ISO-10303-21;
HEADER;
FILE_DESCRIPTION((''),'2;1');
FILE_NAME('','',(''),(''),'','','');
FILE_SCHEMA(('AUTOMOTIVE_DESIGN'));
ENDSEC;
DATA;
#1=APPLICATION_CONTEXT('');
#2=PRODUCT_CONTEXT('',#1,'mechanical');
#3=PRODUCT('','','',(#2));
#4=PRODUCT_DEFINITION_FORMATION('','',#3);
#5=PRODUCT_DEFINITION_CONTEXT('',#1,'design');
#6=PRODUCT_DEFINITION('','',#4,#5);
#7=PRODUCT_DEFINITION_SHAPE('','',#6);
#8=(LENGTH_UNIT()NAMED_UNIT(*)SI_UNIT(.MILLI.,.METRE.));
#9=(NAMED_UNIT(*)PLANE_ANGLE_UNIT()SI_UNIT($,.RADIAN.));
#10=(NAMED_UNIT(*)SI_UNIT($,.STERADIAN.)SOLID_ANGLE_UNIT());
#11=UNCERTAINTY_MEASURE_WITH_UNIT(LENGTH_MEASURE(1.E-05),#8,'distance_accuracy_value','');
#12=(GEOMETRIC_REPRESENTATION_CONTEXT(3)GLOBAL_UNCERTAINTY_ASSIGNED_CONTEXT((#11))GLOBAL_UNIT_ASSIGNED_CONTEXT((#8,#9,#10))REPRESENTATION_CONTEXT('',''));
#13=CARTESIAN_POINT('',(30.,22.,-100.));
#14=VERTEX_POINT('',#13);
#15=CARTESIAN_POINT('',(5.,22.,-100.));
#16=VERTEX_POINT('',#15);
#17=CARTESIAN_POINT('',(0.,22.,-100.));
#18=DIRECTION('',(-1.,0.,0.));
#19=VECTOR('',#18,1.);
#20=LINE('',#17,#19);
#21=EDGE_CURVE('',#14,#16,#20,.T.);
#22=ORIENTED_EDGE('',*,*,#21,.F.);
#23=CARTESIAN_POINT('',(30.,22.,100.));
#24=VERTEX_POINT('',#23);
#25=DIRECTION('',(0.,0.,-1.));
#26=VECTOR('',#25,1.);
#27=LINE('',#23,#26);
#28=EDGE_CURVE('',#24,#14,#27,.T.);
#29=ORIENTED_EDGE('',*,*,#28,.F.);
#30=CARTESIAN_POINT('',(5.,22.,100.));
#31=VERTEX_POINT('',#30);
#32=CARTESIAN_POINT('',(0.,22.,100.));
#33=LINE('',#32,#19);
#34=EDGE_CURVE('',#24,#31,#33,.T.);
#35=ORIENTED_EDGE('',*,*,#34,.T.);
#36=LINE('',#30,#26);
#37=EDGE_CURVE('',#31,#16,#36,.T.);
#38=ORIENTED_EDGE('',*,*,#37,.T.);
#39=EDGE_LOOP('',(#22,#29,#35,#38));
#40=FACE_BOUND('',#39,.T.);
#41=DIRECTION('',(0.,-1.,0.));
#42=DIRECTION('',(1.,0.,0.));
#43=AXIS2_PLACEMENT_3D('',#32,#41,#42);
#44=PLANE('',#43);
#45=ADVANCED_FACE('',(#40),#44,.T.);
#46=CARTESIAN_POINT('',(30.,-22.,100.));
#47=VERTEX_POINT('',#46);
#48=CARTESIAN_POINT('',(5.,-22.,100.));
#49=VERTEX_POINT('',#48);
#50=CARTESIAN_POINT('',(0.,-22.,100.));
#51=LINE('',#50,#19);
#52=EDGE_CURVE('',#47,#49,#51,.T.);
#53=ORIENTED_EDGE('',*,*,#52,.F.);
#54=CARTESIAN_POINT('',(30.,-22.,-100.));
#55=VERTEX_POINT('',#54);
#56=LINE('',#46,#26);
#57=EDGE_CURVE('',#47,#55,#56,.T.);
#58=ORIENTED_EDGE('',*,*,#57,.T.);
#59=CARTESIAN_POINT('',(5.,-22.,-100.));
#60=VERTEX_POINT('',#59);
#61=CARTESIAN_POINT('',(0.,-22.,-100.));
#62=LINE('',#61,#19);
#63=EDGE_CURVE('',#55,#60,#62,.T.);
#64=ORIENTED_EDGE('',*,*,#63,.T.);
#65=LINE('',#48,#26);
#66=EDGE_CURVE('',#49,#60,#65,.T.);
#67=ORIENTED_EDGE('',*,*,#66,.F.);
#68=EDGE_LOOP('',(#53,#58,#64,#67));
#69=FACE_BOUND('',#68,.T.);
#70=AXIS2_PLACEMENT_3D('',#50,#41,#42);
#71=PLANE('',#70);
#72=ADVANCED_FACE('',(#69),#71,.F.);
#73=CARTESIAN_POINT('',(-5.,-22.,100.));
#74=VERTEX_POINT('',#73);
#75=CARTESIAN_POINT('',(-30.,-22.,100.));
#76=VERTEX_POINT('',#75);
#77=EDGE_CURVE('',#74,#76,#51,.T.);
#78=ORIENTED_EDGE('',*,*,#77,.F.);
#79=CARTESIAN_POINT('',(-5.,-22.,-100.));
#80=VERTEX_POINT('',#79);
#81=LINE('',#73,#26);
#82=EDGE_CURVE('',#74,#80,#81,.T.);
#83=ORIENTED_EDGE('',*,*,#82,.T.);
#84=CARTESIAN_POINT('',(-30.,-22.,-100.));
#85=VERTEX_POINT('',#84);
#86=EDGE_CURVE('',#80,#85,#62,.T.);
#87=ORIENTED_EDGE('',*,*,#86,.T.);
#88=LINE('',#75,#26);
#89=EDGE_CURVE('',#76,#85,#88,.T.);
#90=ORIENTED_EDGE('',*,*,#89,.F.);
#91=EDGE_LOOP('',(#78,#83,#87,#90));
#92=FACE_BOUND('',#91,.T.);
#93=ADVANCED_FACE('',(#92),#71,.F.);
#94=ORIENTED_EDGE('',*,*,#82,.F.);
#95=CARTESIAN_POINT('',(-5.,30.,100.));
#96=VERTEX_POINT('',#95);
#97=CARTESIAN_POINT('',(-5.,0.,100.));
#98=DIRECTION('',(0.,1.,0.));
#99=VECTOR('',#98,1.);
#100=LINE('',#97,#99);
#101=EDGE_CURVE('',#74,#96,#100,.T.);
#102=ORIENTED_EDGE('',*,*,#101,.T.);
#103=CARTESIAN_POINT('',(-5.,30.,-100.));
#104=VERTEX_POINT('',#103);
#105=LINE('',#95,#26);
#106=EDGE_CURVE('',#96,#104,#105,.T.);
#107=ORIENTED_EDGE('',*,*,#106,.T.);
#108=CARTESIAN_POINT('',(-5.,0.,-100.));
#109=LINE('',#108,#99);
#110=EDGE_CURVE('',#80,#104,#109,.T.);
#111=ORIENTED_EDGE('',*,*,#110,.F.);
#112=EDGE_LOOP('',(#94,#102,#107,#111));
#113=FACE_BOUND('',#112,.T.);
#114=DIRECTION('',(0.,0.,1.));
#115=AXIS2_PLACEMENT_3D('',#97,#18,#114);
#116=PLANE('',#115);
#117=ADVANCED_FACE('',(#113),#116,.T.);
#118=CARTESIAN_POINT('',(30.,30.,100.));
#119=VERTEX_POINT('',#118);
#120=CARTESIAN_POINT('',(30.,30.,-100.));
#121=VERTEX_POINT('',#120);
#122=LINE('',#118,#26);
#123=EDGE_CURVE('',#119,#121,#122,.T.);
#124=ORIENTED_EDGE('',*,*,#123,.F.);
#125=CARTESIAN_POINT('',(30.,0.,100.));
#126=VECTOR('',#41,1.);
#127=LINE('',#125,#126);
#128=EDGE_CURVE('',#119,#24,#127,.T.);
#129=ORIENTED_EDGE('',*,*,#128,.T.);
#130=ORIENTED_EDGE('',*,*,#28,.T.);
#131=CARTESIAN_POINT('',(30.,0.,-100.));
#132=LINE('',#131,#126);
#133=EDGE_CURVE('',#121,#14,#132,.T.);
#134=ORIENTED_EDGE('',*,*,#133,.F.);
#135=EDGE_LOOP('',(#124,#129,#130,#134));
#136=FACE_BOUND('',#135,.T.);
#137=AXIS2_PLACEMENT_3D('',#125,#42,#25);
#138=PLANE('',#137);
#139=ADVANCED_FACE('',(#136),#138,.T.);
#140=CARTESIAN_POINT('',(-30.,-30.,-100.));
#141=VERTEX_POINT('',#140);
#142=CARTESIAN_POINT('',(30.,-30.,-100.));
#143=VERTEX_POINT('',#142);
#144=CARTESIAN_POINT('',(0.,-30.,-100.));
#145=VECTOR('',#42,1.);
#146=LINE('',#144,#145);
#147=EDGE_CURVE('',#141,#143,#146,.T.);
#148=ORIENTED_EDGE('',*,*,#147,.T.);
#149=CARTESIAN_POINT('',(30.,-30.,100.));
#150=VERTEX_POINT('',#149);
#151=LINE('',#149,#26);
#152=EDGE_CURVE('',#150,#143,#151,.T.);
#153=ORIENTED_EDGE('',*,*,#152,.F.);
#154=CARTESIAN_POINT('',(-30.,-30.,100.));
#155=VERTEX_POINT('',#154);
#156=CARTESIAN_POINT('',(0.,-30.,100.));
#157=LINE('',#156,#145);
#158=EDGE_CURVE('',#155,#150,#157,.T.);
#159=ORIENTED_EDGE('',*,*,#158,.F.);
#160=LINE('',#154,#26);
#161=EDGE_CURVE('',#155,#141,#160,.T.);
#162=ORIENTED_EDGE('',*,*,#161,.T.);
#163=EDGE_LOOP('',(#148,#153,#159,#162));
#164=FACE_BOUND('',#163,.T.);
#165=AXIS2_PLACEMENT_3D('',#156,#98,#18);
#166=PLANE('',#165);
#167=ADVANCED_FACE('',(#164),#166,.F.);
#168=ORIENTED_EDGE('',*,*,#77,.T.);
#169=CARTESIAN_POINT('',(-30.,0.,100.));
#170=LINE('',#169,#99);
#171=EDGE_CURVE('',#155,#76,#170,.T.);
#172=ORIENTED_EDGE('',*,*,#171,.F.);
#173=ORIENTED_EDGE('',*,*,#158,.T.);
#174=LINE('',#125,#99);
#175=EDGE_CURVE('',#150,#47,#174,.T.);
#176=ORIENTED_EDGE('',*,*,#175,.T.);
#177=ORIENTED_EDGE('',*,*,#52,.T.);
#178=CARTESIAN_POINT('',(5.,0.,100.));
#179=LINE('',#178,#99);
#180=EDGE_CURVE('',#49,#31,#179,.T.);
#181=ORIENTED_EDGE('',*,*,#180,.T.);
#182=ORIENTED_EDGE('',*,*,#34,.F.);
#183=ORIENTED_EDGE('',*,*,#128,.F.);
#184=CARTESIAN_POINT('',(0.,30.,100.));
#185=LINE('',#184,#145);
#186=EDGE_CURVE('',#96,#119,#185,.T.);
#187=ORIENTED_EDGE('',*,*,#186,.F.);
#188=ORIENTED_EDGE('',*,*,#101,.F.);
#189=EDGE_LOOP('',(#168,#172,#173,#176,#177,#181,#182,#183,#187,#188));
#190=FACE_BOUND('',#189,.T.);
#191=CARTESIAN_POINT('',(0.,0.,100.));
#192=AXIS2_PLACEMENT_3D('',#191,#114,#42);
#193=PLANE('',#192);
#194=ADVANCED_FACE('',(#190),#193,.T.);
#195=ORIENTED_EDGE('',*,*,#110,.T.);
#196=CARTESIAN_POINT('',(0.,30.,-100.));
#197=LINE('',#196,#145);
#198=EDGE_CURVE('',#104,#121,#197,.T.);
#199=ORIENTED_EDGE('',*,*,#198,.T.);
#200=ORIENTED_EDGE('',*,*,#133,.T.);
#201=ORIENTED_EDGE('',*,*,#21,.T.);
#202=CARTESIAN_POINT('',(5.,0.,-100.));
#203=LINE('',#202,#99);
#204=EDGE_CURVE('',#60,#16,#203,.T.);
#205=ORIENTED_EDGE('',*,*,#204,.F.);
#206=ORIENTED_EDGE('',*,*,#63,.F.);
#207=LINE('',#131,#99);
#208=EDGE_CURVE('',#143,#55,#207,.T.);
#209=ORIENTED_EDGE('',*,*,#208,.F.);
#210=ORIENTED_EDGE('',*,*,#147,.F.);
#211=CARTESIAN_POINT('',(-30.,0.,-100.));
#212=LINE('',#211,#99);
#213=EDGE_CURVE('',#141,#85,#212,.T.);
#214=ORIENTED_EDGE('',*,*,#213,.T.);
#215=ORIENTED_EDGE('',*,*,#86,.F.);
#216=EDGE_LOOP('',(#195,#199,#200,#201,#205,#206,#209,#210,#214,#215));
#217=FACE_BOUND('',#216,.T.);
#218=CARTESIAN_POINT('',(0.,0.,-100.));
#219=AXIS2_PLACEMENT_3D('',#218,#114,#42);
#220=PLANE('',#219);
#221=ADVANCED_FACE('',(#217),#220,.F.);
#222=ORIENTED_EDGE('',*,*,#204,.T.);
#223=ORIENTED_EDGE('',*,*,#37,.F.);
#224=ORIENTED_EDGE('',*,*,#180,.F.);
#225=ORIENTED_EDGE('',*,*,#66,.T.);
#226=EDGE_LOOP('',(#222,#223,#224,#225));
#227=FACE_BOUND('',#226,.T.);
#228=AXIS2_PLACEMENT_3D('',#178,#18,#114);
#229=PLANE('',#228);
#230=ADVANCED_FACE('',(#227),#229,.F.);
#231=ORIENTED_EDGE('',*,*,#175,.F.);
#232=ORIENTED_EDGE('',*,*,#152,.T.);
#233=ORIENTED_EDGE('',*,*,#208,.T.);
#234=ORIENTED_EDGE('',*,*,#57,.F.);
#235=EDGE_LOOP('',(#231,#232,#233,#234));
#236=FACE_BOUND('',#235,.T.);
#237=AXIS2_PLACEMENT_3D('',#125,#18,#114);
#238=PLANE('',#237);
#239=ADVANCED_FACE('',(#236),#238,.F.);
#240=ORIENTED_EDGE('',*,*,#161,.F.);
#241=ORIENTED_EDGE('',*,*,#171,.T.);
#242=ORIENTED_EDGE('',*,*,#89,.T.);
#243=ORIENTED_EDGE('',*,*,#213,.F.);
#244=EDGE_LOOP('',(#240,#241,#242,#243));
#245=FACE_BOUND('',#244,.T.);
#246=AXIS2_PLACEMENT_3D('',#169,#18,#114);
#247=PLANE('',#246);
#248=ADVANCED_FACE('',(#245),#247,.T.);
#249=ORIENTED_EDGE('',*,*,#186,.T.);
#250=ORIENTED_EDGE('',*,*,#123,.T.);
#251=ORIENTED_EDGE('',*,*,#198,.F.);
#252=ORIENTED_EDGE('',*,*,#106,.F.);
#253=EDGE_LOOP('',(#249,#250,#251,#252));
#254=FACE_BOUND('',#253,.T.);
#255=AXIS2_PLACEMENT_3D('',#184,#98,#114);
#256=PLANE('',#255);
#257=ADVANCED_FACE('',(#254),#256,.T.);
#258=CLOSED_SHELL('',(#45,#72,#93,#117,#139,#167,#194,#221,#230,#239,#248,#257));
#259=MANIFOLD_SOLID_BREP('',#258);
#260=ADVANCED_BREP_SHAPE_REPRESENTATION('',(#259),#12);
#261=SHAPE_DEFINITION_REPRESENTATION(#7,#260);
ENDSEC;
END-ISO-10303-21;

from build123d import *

# Parameters (mm, degrees)
SKETCH_1_W      = 25
SKETCH_1_H      = 8
SKETCH_1_W_2    = 5
EXTRUDE_1_DEPTH = 100


with BuildPart() as part:
    # Эскиз1 → Бобышка-Вытянуть1 (new, symmetric)
    with BuildSketch(Plane.XY):
        with Locations((17.5, -26)):
            Rectangle(SKETCH_1_W, SKETCH_1_H)
        with Locations((2.5, -26)):
            Rectangle(SKETCH_1_W_2, SKETCH_1_H)
        with Locations((-2.5, -26)):
            Rectangle(SKETCH_1_W_2, SKETCH_1_H)
        with Locations((-17.5, -26)):
            Rectangle(SKETCH_1_W, SKETCH_1_H)
        Polygon((0, -22), (5, -22), (5, 22), (0, 22), (0, 30), (-5, 30), (-5, -22), align=None)
        with Locations((17.5, 26)):
            Rectangle(SKETCH_1_W, SKETCH_1_H)
        with Locations((2.5, 26)):
            Rectangle(SKETCH_1_W_2, SKETCH_1_H)
    extrude(amount=EXTRUDE_1_DEPTH, both=True)


solid = part.part
